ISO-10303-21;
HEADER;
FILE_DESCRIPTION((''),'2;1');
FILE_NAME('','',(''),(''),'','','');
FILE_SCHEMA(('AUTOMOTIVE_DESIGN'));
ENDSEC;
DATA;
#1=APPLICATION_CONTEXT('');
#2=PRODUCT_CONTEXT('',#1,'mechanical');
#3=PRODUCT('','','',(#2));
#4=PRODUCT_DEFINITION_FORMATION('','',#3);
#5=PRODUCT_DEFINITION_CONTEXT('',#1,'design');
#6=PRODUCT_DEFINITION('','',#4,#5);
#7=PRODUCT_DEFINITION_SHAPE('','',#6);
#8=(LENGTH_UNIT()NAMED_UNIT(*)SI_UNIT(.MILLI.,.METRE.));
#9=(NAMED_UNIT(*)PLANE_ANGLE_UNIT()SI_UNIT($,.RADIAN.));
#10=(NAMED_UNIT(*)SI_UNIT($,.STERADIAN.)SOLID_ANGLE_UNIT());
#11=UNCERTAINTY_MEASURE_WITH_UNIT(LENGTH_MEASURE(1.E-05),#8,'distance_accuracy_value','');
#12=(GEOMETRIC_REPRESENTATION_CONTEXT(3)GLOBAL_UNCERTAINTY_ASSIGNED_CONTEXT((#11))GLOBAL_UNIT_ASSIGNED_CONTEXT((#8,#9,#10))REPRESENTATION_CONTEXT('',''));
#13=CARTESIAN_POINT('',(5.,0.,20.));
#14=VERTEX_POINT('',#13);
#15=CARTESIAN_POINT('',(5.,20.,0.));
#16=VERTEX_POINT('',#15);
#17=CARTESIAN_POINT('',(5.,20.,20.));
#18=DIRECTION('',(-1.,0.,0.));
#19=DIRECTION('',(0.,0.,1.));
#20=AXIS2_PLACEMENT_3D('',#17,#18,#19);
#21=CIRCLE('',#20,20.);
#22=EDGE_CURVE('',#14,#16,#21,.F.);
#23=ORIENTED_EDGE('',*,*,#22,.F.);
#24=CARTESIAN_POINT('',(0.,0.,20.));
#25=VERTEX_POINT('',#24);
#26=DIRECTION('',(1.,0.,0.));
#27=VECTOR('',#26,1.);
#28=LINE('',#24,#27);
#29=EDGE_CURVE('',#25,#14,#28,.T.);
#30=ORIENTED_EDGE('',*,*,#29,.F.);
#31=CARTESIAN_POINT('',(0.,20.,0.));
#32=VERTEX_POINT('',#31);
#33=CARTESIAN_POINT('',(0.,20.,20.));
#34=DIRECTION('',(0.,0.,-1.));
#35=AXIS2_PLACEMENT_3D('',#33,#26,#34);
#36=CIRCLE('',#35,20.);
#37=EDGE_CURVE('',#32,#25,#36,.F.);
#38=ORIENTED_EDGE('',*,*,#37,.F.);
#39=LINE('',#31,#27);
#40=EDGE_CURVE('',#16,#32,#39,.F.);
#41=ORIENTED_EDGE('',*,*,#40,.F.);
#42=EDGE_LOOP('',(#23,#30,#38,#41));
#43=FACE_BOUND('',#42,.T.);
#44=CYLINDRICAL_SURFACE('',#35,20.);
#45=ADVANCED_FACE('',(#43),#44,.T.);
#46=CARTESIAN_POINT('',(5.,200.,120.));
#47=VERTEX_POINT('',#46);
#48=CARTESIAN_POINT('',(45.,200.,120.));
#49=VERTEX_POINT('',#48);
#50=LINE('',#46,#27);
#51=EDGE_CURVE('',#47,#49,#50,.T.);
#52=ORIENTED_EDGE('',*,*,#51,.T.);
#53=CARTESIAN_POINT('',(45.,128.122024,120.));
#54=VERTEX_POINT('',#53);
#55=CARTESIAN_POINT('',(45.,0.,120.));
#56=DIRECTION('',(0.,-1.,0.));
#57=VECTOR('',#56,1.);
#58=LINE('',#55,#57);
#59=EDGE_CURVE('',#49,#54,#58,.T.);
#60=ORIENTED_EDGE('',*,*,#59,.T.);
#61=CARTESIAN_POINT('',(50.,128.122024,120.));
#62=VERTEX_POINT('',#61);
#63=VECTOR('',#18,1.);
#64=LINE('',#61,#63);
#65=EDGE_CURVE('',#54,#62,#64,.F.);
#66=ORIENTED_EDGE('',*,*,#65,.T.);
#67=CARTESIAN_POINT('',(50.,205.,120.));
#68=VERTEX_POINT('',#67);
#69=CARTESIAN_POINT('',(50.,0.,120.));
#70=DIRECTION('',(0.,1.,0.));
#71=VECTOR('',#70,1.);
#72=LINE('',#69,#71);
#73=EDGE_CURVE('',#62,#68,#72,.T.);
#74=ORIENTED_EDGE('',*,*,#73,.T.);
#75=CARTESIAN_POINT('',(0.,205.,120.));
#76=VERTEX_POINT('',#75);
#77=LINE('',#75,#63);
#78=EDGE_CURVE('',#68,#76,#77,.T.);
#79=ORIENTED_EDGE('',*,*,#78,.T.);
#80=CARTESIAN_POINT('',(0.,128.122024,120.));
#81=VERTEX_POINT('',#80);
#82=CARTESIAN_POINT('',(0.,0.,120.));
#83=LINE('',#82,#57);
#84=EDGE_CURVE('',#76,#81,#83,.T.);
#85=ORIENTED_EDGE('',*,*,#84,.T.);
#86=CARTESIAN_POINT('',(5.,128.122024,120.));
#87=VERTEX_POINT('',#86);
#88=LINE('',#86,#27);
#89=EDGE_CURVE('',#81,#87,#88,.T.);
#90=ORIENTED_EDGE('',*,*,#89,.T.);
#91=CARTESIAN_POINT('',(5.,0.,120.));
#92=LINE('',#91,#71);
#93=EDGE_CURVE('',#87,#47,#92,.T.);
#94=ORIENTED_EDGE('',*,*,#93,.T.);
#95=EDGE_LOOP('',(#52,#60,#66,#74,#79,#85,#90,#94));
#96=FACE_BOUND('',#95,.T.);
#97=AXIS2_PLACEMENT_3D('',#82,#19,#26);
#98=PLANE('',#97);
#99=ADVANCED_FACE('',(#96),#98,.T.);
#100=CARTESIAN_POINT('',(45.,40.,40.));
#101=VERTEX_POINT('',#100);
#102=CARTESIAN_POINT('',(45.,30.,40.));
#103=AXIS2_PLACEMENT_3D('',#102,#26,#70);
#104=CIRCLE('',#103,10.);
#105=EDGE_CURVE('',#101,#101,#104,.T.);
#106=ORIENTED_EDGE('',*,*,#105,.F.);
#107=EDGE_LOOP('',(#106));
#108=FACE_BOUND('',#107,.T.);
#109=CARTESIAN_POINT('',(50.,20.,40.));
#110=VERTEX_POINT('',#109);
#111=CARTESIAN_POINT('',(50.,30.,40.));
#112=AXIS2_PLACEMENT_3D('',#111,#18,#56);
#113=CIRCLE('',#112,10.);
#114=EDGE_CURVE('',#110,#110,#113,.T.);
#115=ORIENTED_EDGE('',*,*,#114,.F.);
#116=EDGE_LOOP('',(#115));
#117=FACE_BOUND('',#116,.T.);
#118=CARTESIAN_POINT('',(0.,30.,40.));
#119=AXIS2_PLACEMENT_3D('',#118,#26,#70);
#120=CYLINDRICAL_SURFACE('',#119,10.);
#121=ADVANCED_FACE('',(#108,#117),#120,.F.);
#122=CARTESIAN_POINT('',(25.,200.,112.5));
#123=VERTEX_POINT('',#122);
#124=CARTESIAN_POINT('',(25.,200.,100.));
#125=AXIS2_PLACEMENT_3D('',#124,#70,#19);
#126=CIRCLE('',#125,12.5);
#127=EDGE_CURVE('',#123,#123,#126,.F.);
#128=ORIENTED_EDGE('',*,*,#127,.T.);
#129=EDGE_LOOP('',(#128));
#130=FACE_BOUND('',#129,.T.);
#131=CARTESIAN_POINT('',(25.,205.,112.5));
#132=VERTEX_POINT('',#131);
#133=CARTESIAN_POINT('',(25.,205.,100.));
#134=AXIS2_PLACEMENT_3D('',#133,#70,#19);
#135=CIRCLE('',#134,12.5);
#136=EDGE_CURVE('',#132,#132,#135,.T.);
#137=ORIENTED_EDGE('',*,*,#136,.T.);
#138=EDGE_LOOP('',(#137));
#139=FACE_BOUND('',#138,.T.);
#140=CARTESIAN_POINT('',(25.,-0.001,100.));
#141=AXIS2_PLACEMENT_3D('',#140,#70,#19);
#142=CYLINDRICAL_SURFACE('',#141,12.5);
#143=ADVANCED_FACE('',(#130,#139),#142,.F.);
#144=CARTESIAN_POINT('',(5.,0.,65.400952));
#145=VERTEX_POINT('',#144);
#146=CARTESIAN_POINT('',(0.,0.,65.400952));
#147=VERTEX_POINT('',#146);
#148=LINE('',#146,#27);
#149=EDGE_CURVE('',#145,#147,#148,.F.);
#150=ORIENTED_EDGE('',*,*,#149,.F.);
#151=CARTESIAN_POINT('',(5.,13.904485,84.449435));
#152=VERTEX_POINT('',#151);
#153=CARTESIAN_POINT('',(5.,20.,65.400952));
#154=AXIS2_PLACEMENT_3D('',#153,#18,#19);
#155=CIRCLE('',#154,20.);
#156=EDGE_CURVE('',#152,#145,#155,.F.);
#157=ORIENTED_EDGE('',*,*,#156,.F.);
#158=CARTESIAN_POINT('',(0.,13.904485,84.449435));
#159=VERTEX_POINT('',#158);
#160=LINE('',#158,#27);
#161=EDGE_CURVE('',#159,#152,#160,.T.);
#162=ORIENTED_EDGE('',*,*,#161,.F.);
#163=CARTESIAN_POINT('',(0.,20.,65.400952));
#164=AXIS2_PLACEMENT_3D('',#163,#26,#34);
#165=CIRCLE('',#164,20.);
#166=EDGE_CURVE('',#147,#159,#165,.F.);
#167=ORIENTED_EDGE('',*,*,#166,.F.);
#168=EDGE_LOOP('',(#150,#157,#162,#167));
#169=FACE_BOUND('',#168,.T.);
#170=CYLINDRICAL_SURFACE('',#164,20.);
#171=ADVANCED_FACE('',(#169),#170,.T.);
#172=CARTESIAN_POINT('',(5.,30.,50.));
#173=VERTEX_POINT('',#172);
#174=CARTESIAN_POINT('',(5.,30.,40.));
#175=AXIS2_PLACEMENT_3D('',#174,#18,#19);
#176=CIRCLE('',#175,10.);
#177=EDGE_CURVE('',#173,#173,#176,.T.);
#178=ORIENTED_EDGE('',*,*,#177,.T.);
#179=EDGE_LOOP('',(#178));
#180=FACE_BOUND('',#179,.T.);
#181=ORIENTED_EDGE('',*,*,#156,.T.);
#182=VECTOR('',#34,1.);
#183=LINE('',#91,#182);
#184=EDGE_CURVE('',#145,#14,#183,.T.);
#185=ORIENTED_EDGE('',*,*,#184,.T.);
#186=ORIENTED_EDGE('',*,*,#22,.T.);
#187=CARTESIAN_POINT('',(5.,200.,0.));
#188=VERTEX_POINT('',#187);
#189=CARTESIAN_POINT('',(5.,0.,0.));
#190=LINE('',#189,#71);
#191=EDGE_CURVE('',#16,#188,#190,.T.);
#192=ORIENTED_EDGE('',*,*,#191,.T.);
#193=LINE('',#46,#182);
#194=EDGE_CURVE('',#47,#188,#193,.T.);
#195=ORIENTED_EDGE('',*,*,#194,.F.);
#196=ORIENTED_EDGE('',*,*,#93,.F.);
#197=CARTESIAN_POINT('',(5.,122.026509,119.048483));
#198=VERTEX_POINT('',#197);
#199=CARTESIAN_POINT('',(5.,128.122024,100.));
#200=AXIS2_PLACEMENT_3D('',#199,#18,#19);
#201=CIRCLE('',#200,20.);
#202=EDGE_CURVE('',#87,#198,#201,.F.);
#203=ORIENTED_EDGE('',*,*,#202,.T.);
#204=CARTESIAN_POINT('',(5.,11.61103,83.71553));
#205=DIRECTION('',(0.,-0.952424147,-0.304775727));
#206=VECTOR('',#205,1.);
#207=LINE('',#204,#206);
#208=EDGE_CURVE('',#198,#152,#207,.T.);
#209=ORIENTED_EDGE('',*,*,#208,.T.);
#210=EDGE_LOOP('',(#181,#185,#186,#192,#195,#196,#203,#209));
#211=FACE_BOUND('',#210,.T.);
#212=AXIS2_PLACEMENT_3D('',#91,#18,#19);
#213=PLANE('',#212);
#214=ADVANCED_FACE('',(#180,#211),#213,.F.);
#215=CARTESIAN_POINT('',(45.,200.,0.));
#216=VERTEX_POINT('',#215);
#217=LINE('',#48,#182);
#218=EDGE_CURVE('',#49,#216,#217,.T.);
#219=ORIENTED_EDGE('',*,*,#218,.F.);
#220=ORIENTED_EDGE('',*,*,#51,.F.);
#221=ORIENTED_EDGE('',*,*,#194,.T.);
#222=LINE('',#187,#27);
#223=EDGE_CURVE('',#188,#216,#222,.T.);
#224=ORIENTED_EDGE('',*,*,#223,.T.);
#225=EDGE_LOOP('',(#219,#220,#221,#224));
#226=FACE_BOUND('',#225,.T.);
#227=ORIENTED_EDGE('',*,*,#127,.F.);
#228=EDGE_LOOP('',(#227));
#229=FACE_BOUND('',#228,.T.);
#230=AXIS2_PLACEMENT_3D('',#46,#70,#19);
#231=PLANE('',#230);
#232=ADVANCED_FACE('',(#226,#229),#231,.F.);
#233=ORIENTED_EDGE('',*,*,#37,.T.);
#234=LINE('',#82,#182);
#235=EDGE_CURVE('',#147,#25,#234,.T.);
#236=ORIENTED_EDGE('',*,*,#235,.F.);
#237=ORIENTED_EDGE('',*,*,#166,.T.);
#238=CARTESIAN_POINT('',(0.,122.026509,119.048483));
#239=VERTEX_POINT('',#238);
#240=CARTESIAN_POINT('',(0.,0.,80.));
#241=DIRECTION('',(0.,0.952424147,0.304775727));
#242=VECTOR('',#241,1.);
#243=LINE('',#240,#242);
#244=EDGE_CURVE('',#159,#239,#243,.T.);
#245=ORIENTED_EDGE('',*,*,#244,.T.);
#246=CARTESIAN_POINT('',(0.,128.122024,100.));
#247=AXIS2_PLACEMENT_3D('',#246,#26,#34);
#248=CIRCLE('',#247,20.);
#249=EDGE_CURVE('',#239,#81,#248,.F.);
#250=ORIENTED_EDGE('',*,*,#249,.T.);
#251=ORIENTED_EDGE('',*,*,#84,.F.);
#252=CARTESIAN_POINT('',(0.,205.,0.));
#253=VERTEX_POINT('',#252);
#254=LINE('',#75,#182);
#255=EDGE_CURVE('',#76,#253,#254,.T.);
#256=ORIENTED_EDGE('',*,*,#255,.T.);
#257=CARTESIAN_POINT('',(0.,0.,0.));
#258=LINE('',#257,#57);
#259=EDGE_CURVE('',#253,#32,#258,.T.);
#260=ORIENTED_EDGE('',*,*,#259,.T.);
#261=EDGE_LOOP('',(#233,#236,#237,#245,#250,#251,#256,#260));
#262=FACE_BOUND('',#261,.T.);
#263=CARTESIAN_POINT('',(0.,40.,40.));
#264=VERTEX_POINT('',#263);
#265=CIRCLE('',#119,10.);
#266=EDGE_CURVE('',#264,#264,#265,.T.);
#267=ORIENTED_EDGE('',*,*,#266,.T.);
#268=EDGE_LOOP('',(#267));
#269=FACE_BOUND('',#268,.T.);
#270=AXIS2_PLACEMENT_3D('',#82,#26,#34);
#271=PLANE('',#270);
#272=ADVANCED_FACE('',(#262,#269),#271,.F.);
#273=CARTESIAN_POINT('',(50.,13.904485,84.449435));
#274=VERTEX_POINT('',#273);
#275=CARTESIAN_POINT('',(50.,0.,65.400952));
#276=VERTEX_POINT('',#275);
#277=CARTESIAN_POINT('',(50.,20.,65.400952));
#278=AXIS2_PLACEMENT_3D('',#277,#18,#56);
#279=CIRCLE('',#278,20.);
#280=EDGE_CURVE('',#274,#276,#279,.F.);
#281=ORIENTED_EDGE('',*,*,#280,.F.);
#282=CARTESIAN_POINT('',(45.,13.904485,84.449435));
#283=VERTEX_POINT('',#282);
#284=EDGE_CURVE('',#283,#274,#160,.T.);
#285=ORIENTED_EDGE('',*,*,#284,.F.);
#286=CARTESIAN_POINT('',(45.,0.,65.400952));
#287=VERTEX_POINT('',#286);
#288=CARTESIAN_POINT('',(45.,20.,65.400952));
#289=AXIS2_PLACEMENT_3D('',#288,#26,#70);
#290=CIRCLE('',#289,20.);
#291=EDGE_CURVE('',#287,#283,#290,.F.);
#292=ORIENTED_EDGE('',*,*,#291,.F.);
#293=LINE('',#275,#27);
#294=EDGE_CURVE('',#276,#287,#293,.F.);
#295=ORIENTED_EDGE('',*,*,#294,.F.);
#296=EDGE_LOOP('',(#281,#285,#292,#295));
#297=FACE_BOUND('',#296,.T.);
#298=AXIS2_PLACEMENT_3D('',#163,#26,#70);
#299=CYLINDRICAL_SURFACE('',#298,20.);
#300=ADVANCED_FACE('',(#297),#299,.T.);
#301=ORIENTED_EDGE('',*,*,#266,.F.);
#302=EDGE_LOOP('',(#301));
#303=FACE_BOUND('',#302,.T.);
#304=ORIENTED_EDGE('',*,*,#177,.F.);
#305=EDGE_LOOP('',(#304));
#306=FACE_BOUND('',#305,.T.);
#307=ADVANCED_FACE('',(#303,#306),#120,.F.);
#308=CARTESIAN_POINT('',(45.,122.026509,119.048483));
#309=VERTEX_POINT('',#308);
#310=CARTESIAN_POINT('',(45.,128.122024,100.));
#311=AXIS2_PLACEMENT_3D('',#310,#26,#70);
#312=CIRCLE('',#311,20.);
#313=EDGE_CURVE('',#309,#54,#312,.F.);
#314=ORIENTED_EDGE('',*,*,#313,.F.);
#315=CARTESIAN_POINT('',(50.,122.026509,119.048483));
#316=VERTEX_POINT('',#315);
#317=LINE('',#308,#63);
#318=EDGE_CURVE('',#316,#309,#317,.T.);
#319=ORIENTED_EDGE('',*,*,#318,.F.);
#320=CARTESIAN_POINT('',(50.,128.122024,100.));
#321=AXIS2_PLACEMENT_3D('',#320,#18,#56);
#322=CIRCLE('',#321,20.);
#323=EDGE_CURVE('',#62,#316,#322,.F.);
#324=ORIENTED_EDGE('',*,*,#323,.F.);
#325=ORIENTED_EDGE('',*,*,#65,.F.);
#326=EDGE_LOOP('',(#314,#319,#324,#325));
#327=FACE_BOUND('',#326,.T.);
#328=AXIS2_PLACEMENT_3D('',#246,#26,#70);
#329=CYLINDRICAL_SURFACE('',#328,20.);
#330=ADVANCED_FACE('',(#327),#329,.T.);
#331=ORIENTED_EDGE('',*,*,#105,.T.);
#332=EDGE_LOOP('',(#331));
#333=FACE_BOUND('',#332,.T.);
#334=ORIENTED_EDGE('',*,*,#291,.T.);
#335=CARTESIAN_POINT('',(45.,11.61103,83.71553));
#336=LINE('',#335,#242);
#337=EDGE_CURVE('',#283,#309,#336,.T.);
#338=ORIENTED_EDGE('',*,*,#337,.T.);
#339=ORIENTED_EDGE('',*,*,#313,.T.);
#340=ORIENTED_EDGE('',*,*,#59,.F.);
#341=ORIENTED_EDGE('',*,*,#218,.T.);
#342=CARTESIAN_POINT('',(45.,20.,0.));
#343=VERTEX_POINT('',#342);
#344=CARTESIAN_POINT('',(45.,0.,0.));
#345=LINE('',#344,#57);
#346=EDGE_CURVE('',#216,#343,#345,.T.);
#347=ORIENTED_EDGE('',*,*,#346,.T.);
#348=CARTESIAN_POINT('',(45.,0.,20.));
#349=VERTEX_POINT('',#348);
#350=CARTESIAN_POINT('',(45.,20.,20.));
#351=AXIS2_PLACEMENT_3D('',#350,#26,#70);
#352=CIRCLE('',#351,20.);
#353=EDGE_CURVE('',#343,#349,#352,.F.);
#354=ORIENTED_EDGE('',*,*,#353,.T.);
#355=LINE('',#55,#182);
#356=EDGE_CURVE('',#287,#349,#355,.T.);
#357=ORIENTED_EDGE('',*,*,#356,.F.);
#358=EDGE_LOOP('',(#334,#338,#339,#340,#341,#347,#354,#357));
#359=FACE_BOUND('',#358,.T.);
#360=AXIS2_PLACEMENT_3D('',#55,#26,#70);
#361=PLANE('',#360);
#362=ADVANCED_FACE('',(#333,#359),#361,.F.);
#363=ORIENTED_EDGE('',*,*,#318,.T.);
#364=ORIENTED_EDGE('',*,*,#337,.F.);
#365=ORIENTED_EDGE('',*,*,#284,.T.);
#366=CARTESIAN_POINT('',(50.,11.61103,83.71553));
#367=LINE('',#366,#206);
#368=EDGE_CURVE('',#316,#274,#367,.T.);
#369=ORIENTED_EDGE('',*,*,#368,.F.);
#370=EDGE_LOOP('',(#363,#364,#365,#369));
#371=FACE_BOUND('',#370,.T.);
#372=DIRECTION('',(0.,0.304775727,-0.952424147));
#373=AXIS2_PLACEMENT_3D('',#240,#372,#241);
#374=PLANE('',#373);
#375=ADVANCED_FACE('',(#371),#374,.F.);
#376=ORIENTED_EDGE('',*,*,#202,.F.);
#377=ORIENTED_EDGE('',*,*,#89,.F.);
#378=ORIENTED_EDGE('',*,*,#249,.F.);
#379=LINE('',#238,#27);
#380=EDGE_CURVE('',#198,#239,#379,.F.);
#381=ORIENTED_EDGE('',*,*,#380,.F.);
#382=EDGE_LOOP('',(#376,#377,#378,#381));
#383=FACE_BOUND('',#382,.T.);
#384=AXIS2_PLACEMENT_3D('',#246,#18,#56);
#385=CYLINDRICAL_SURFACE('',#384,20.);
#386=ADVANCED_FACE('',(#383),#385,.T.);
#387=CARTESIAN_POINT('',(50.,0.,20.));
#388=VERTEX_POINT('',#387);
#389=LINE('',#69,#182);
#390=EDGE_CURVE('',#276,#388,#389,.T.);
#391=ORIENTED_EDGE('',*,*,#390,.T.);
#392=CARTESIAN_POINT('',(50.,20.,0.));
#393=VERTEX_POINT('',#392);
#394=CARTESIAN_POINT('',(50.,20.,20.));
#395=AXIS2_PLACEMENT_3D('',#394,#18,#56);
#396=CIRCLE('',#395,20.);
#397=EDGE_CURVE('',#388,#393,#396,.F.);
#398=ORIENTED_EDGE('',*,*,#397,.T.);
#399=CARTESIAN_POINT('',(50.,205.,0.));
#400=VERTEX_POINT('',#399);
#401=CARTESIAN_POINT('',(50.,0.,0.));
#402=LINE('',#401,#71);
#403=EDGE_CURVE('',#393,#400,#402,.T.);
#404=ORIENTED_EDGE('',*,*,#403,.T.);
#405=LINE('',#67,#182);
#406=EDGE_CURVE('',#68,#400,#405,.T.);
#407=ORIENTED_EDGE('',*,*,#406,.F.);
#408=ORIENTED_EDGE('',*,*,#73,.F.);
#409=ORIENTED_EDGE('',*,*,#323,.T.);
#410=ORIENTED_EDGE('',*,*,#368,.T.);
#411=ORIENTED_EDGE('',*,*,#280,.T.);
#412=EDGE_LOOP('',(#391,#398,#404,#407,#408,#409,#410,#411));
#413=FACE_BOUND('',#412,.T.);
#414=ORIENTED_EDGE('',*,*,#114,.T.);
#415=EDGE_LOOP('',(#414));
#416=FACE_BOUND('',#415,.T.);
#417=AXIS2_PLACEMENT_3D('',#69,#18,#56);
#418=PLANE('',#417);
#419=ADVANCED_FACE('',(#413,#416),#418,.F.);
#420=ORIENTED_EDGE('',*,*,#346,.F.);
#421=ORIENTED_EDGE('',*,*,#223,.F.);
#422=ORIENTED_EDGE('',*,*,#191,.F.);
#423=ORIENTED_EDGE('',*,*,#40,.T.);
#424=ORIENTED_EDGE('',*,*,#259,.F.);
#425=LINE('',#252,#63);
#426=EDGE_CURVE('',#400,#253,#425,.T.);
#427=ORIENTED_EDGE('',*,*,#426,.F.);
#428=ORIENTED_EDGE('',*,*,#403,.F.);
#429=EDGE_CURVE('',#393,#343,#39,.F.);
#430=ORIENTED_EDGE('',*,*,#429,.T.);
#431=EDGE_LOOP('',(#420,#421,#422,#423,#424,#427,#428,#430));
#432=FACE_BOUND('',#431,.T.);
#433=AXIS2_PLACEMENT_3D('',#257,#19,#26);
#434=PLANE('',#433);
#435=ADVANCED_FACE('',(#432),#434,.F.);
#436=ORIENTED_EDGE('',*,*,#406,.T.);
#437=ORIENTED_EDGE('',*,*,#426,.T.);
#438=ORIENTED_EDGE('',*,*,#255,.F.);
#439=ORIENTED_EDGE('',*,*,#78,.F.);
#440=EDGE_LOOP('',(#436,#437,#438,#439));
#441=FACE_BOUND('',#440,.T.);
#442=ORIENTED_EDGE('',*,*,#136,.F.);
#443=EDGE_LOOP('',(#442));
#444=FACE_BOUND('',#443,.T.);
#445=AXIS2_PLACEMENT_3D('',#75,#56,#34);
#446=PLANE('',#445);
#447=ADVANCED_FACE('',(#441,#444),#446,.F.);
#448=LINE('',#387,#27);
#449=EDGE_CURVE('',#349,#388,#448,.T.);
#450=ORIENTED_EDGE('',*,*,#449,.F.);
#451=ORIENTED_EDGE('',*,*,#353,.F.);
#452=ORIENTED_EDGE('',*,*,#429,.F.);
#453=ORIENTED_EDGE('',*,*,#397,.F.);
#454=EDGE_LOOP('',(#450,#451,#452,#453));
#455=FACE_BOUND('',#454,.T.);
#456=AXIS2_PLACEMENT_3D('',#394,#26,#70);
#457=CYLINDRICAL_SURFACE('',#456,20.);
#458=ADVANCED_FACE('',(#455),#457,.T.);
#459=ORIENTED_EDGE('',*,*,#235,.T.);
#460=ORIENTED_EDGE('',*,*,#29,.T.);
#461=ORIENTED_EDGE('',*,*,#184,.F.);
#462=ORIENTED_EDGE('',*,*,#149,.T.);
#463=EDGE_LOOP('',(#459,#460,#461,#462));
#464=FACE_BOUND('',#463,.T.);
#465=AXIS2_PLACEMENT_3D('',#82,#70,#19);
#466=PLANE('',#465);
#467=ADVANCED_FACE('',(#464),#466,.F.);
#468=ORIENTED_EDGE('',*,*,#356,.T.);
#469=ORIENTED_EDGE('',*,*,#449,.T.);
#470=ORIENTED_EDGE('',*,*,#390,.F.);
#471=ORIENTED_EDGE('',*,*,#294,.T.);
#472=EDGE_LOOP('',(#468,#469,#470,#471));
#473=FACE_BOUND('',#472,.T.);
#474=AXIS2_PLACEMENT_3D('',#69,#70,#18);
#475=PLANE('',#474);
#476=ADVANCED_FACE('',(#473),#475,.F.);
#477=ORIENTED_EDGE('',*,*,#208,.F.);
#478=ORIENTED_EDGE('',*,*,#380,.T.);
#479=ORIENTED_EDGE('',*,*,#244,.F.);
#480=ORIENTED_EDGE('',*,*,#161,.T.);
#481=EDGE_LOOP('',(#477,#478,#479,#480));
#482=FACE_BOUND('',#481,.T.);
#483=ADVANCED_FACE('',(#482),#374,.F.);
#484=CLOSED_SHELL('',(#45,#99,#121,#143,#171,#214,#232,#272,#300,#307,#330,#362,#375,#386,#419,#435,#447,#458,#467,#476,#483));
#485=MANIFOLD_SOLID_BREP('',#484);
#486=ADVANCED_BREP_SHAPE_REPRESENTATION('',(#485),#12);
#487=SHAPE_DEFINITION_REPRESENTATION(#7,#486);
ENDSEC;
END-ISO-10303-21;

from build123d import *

# Parameters (mm, degrees)
BOSS_EXTRU_1_DEPTH           = 120
ENL_V_MAT_EXTRU_1_DEPTH      = 243.744721879
ENL_V_MAT_EXTRU_1_DEPTH_BACK = 243.744721879
ENL_V_MAT_EXTRU_2_DEPTH      = 243.744721879
ENL_V_MAT_EXTRU_2_DEPTH_BACK = 243.744721879
ESQUISSE3_R                  = 10
CONG_1_R                     = 20
ENL_V_MAT_EXTRU_3_REACH      = 244.745
ESQUISSE4_R                  = 12.5


with BuildPart() as part:
    # Esquisse1 → Boss.-Extru.1 (new body)
    with BuildSketch(Plane.XY):
        Polygon((0, 0), (0, 205), (50, 205), (50, 0), (45, 0), (45, 200), (5, 200), (5, 0), align=None)
    extrude(amount=BOSS_EXTRU_1_DEPTH)

    # Esquisse2 → Enlèv. mat.-Extru.1 (cut, two sides: drawn at the far end of the back side and taken through both)
    with BuildSketch(Plane(origin=(50, 0, 0), x_dir=(0, 0, -1), z_dir=(1, 0, 0)).offset(-ENL_V_MAT_EXTRU_1_DEPTH_BACK)):
        Polygon((-80, 0), (-120, 125), (-120, 0), align=None)
    extrude(amount=ENL_V_MAT_EXTRU_1_DEPTH + ENL_V_MAT_EXTRU_1_DEPTH_BACK, mode=Mode.SUBTRACT)

    # Esquisse3 → Enlèv. mat.-Extru.2 (cut, two sides: drawn at the far end of the back side and taken through both)
    with BuildSketch(Plane(origin=(50, 0, 0), x_dir=(0, 0, -1), z_dir=(1, 0, 0)).offset(-ENL_V_MAT_EXTRU_2_DEPTH_BACK)):
        with Locations(Location((-40, 30, 0), (0, 0, 90))):
            Circle(ESQUISSE3_R)
    extrude(amount=ENL_V_MAT_EXTRU_2_DEPTH + ENL_V_MAT_EXTRU_2_DEPTH_BACK, mode=Mode.SUBTRACT)

    # Congé1
    cong_1_edges = [part.edges().sort_by_distance(p)[0] for p in [
        (2.5, 125, 120),
        (47.5, 125, 120),
        (2.5, 0, 80),
        (47.5, 0, 80),
        (2.5, 0, 0),
        (47.5, 0, 0),
    ]]
    fillet(cong_1_edges, radius=CONG_1_R)

    # Esquisse4 → Enlèv. mat.-Extru.3 (cut, up to next)
    with BuildSketch(Plane(origin=(0, 205, 0), x_dir=(1, 0, 0), z_dir=(0, 1, 0)), mode=Mode.PRIVATE) as enl_v_mat_extru_3_sk1:
        with Locations(Location((25, -100, 0), (0, 0, 270))):
            Circle(ESQUISSE4_R)
    enl_v_mat_extru_3_tool1 = extrude(enl_v_mat_extru_3_sk1.sketch, amount=-ENL_V_MAT_EXTRU_3_REACH, mode=Mode.PRIVATE) & part.part
    add(enl_v_mat_extru_3_tool1.solids().sort_by_distance((25, 205, 100))[0], mode=Mode.SUBTRACT)


solid = part.part
